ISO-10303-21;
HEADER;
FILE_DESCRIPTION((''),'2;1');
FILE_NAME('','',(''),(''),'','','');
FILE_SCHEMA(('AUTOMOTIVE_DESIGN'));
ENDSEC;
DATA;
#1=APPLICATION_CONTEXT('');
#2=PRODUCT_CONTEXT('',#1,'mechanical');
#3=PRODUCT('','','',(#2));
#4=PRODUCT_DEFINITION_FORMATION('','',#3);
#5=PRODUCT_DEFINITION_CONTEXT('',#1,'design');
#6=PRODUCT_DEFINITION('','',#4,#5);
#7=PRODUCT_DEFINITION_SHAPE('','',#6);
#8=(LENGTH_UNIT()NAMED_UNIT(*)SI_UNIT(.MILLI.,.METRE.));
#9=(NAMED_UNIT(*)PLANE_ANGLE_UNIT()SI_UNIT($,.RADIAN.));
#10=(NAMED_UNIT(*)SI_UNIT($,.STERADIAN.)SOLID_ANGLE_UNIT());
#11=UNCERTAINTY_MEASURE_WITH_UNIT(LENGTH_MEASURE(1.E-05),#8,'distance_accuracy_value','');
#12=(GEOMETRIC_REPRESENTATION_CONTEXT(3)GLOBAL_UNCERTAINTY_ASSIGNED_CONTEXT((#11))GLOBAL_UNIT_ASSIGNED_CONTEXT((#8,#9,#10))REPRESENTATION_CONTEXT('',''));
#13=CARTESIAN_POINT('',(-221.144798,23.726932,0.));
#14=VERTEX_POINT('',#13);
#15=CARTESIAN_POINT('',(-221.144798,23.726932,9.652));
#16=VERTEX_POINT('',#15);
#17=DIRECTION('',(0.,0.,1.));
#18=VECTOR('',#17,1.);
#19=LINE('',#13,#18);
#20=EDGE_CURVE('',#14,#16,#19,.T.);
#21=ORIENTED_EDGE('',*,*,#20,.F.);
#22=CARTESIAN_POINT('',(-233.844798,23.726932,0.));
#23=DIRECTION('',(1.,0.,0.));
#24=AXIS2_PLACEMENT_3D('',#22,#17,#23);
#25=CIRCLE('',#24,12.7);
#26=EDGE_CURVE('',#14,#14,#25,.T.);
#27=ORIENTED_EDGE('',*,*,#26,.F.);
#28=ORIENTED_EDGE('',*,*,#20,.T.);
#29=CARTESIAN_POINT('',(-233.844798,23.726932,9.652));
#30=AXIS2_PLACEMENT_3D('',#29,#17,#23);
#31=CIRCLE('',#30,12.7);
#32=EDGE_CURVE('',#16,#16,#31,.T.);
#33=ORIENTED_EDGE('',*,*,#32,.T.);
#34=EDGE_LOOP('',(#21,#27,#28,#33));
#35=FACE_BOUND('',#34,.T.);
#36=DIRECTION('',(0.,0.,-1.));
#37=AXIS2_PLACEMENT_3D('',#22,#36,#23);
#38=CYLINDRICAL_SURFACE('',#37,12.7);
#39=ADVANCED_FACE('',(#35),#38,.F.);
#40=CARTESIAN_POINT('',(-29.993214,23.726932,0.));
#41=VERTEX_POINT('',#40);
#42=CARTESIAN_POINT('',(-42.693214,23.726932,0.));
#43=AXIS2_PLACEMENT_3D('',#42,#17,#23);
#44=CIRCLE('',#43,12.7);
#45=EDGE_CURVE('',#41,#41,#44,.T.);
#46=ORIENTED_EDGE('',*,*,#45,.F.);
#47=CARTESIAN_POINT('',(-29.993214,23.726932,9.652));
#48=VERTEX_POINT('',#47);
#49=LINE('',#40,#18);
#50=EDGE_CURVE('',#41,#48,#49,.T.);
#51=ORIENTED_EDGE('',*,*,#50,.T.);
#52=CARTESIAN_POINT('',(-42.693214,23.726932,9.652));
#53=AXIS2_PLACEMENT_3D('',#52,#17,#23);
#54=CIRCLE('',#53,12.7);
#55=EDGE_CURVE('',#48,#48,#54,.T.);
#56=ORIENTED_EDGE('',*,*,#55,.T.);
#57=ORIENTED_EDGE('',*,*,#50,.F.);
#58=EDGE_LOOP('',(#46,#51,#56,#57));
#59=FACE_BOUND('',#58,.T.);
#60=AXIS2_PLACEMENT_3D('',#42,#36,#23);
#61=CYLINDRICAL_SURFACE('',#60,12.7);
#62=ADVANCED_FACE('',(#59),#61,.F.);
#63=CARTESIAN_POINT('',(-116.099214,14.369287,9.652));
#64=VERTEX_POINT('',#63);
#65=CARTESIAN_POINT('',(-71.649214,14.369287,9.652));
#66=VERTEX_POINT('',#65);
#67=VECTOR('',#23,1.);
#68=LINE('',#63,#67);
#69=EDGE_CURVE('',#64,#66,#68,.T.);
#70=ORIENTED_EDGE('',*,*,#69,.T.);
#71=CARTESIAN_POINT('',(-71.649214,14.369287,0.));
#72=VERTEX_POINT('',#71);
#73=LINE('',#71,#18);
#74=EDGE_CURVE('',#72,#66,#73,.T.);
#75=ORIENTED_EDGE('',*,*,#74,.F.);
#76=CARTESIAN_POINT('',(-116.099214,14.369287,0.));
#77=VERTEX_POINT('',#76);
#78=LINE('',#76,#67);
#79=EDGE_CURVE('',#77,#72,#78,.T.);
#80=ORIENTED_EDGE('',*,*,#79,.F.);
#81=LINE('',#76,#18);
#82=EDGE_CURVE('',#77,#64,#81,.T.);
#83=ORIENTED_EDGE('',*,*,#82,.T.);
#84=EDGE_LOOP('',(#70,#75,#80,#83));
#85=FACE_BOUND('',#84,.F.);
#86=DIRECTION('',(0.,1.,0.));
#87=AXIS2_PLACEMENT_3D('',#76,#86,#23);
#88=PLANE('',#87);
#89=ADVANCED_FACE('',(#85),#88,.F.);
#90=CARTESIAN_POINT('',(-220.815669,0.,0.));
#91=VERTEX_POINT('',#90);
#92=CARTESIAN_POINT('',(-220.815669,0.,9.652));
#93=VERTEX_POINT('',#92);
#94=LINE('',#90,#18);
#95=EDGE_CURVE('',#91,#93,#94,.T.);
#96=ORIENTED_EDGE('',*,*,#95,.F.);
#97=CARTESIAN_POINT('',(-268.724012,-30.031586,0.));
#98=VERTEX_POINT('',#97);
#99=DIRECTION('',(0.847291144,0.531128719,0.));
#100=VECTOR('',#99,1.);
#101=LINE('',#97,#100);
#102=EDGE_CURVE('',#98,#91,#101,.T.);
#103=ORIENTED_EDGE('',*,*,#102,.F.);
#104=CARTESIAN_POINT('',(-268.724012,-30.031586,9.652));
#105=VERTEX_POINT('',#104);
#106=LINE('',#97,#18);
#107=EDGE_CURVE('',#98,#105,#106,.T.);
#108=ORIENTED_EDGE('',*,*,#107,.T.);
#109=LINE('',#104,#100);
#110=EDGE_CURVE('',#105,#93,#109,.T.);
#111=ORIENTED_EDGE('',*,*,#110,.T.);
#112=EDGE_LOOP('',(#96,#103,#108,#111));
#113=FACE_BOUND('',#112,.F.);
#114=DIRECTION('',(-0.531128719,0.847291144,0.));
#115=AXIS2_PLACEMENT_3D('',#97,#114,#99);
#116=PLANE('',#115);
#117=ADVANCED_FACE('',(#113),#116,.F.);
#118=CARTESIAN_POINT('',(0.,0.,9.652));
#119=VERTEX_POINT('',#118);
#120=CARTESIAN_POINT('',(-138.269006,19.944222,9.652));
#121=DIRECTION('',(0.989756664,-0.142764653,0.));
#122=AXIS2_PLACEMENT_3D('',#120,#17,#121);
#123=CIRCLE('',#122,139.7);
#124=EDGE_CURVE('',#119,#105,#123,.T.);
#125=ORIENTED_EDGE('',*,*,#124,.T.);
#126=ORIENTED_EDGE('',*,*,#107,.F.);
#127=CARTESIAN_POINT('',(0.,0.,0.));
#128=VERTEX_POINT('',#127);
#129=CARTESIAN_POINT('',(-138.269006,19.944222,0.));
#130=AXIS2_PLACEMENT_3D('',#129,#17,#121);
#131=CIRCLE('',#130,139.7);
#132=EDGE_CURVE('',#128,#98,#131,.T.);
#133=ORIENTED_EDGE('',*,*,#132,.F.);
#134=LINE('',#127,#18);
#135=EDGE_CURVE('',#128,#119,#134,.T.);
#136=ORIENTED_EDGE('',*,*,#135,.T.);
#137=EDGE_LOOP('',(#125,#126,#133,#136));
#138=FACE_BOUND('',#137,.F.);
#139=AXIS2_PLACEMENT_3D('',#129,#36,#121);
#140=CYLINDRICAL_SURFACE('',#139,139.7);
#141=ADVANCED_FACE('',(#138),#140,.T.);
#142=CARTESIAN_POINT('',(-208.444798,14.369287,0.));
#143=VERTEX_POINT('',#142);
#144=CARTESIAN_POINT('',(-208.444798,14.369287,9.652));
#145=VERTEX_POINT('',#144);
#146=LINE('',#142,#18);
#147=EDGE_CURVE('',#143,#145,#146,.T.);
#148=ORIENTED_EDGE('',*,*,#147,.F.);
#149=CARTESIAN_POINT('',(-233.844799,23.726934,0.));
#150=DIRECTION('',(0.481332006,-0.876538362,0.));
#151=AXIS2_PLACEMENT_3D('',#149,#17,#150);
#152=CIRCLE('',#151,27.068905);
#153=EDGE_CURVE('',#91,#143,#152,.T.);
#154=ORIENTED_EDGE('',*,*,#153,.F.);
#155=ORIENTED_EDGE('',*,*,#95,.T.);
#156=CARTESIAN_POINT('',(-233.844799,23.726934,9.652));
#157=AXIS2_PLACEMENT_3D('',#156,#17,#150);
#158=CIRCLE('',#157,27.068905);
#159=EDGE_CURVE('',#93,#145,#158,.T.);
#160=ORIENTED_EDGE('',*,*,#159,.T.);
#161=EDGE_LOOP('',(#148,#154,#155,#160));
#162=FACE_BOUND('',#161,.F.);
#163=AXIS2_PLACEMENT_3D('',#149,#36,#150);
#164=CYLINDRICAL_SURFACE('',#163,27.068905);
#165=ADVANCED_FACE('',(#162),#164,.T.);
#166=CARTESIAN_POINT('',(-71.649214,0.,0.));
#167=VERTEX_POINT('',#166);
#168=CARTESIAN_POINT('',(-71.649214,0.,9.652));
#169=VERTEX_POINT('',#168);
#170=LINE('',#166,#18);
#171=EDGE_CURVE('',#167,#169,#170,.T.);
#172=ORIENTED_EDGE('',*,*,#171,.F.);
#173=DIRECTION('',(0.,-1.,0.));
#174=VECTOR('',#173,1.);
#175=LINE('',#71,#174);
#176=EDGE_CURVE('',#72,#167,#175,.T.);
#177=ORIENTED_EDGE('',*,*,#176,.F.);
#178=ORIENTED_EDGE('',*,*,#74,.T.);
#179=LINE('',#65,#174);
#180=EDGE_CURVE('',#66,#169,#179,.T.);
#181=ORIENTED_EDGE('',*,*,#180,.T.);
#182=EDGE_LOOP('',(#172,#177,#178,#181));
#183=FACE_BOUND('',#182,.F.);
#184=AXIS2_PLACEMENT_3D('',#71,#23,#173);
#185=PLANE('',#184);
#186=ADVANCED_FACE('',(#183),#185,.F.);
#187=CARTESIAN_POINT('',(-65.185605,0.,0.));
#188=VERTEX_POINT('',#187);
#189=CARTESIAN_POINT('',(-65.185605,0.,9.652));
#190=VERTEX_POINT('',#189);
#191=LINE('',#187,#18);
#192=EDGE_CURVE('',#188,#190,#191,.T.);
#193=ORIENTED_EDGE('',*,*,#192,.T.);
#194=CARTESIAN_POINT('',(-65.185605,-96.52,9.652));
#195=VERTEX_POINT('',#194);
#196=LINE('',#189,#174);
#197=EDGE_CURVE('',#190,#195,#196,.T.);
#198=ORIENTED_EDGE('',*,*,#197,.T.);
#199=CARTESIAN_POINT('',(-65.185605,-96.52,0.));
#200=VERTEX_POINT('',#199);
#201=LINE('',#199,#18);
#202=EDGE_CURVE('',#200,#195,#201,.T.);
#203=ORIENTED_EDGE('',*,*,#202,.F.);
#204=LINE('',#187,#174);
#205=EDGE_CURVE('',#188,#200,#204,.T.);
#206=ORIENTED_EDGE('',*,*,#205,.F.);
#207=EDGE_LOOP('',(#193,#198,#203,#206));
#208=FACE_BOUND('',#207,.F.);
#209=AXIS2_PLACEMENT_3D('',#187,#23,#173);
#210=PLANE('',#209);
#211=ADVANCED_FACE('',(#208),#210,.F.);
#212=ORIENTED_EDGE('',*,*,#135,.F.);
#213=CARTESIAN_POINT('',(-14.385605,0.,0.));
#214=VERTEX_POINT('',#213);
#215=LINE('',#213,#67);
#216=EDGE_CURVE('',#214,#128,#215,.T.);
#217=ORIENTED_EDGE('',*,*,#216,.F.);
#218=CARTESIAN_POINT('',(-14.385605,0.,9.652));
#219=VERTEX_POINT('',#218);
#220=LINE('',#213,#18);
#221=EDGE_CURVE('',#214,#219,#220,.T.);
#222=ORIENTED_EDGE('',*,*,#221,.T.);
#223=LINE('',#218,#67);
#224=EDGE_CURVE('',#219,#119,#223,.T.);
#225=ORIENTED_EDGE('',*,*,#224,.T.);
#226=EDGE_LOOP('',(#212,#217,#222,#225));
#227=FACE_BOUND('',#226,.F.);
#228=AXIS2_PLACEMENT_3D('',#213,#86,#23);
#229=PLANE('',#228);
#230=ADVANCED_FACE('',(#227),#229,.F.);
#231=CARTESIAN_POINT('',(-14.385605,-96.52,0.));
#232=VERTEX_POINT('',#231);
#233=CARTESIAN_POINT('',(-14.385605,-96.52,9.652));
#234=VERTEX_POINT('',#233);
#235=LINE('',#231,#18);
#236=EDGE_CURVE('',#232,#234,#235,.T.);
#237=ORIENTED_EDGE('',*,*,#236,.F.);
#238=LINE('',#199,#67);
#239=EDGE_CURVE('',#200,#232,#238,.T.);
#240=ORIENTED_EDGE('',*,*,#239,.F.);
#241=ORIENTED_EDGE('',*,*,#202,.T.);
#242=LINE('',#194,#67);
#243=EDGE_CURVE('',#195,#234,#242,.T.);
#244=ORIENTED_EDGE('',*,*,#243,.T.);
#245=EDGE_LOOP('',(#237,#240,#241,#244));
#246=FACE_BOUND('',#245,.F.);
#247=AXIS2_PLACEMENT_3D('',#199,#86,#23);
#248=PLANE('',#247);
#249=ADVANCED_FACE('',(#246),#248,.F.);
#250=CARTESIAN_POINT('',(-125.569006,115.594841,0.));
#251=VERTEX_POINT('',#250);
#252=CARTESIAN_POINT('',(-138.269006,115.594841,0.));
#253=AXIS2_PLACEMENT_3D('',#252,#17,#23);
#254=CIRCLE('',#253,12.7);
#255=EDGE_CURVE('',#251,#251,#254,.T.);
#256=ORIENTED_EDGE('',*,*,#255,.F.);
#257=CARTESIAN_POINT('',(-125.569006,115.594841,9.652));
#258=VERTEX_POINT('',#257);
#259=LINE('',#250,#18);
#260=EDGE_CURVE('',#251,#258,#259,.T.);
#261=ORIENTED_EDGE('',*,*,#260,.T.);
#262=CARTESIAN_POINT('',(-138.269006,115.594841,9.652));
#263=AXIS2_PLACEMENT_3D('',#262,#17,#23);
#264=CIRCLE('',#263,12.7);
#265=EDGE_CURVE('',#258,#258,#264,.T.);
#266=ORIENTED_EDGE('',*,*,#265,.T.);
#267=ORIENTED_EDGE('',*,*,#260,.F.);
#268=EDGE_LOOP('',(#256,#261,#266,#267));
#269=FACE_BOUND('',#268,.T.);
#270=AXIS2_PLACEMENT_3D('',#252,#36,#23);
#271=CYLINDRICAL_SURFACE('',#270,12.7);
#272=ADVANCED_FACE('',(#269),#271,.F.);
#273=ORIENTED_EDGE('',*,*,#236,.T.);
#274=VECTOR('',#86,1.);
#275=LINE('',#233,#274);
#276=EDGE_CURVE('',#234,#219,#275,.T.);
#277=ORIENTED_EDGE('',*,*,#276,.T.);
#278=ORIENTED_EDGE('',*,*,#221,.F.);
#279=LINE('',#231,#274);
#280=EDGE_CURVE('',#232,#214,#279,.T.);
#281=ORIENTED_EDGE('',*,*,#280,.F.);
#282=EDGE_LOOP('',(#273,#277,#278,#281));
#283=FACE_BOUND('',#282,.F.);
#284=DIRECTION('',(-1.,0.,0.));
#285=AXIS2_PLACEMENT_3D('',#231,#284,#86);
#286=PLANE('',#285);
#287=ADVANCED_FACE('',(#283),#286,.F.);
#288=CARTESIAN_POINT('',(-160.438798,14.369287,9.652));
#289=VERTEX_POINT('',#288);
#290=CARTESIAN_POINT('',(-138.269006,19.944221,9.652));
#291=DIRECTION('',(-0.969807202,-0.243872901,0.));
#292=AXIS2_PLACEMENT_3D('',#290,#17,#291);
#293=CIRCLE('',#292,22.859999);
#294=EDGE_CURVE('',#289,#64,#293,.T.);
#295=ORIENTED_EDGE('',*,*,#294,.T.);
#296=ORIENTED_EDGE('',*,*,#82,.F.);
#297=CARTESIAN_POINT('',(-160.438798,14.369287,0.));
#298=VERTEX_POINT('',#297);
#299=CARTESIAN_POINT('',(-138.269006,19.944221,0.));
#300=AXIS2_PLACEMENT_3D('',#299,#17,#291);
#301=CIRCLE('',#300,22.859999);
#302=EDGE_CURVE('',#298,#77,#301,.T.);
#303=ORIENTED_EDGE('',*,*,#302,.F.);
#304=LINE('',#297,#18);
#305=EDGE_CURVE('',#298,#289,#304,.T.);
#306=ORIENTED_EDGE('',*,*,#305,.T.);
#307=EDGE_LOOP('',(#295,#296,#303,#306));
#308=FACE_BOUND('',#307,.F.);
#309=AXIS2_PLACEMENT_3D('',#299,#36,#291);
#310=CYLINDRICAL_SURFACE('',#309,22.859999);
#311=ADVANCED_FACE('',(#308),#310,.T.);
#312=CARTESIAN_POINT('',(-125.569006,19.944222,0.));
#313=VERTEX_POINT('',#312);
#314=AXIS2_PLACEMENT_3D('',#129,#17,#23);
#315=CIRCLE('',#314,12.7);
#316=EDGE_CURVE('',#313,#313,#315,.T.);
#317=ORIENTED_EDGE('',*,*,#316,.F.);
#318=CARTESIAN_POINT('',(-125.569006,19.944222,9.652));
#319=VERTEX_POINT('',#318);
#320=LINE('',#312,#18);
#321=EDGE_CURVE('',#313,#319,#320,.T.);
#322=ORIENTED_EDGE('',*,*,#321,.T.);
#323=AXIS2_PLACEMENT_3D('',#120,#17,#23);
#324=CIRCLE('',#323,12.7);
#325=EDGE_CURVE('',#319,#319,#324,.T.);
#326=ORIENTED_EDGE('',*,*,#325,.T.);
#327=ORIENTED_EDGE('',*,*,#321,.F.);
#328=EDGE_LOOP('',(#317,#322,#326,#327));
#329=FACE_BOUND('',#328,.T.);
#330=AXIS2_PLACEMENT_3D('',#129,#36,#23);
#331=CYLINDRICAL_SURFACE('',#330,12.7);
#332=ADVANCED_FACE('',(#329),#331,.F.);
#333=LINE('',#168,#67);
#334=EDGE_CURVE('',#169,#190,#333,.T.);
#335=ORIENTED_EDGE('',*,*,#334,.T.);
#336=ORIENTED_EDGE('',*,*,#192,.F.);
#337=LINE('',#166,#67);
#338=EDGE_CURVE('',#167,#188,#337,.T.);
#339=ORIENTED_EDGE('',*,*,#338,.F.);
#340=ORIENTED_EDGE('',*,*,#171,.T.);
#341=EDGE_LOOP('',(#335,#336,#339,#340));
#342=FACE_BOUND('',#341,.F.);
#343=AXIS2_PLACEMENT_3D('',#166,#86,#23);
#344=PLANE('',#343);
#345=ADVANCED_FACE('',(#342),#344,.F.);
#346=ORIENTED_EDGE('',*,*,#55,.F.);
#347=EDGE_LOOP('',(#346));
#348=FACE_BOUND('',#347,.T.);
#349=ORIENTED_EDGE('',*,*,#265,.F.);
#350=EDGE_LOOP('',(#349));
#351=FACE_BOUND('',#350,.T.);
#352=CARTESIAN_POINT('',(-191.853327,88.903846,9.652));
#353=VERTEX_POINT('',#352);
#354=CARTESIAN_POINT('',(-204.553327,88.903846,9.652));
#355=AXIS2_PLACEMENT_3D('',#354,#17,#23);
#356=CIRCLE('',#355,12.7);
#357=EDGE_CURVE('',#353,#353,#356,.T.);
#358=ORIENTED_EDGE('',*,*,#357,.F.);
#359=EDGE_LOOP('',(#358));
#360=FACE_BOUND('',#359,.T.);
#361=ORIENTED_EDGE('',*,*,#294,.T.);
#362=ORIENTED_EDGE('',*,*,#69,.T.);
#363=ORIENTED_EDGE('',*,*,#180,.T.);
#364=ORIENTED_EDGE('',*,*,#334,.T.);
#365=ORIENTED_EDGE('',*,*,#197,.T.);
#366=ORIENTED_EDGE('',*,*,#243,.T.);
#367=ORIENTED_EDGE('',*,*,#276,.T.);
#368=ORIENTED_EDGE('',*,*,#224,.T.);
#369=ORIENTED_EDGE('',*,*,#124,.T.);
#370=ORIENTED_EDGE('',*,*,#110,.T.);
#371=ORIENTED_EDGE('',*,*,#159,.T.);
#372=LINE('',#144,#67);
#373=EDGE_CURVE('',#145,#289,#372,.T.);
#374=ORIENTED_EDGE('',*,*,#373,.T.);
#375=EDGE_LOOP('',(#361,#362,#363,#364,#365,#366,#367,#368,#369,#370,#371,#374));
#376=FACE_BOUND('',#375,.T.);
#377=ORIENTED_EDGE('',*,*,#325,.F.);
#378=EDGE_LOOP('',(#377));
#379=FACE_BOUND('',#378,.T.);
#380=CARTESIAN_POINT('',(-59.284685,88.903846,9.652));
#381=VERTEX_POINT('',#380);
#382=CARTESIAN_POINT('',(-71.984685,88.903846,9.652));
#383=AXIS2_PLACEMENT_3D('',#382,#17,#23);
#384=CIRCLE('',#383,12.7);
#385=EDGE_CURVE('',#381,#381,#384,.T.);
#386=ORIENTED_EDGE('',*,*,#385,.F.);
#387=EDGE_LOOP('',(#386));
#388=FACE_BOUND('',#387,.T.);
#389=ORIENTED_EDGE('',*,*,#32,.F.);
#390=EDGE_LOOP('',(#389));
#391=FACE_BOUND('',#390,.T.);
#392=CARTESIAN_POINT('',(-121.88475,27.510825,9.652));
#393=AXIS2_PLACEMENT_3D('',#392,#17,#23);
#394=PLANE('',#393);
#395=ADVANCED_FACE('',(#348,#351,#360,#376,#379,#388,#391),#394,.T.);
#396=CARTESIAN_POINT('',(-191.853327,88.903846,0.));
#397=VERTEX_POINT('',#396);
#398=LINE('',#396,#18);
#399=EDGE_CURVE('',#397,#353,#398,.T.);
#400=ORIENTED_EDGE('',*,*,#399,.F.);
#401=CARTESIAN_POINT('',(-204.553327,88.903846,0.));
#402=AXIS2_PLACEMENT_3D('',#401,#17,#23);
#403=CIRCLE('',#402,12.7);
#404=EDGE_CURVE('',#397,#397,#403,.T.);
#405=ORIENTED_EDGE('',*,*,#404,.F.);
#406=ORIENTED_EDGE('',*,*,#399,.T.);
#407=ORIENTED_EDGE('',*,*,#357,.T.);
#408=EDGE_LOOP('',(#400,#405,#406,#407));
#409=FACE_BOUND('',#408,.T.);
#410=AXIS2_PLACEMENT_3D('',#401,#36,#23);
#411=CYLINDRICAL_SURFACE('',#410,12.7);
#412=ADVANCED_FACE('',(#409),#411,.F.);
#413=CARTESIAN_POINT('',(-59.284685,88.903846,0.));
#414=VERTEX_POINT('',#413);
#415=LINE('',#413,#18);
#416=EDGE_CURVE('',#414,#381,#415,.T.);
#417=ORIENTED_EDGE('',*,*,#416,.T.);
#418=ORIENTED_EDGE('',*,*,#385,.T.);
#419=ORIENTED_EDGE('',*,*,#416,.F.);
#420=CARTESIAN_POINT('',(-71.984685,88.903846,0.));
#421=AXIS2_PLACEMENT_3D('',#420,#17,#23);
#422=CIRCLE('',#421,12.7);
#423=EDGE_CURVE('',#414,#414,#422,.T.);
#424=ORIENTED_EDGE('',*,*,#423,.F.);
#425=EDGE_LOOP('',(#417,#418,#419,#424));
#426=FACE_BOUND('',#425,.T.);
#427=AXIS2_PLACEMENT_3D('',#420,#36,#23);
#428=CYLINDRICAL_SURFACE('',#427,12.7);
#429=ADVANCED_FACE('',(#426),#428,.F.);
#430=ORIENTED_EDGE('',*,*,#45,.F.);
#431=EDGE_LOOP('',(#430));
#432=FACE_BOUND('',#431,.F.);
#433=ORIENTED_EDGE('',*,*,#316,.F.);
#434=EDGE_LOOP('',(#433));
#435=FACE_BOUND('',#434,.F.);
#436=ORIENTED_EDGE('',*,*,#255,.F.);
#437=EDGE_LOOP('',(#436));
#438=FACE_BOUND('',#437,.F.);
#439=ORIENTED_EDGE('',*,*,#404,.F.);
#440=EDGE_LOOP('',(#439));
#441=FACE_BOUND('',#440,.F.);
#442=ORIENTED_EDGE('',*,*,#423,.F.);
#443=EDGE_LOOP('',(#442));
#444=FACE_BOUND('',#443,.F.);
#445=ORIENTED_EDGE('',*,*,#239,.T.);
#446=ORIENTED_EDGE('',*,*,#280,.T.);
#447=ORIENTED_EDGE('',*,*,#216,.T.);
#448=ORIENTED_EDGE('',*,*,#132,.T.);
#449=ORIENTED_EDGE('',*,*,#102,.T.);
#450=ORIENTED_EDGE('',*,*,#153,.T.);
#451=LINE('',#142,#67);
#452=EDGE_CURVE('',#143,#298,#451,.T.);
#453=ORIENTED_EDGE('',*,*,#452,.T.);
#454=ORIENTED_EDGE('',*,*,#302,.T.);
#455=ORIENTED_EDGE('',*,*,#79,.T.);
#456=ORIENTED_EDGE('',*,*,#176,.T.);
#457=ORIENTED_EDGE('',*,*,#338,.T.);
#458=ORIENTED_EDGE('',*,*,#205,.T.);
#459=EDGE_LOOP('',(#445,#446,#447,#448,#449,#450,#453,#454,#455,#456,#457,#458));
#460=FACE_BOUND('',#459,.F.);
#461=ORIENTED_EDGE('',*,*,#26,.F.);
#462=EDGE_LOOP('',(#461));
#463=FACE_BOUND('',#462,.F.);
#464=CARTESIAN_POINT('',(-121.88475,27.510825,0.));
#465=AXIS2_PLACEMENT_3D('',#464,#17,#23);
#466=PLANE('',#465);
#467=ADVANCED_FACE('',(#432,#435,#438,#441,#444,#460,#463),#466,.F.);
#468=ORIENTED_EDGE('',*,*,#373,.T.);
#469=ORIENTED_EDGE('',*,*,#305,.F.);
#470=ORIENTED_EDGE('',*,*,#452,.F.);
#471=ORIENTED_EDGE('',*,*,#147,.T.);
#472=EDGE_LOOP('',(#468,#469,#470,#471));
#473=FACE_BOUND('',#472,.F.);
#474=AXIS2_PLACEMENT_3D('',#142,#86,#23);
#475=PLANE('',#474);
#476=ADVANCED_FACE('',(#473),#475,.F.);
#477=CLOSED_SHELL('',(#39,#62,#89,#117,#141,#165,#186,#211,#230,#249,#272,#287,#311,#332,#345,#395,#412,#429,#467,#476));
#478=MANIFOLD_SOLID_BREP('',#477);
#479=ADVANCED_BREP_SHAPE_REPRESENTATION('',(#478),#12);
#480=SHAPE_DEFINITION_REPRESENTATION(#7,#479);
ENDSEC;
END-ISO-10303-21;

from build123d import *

# Parameters (mm, degrees)
F0_R     = 12.7
F1_DEPTH = 9.652


with BuildPart() as f1:
    # F0 (on Top) → F1 (new body)
    with BuildSketch(Plane.XY):
        with BuildLine():
            Line((-71.649214, 0), (-65.185605, 0))
            Line((-65.185605, 0), (-65.185605, -96.52))
            Line((-65.185605, -96.52), (-14.385605, -96.52))
            Line((-14.385605, -96.52), (-14.385605, 0))
            Line((-14.385605, 0), (0, 0))
            ThreePointArc((0, 0), (-153.784762, 158.779921), (-268.724012, -30.031586))
            Line((-268.724012, -30.031586), (-220.815669, 0))
            ThreePointArc((-220.815669, 0), (-213.330935, 6.066045), (-208.444798, 14.369287))
            Line((-208.444798, 14.369287), (-160.438798, 14.369287))
            ThreePointArc((-160.438798, 14.369287), (-138.269006, -2.915778), (-116.099214, 14.369287))
            Line((-116.099214, 14.369287), (-71.649214, 14.369287))
            Line((-71.649214, 14.369287), (-71.649214, 0))
        make_face()
        with Locations((-233.844798, 23.726932)):
            Circle(F0_R, mode=Mode.SUBTRACT)
        with Locations((-138.269006, 19.944222)):
            Circle(F0_R, mode=Mode.SUBTRACT)
        with Locations((-42.693214, 23.726932)):
            Circle(F0_R, mode=Mode.SUBTRACT)
        with Locations((-204.553327, 88.903846)):
            Circle(F0_R, mode=Mode.SUBTRACT)
        with Locations((-71.984685, 88.903846)):
            Circle(F0_R, mode=Mode.SUBTRACT)
        with Locations((-138.269006, 115.594841)):
            Circle(F0_R, mode=Mode.SUBTRACT)
    extrude(amount=F1_DEPTH)


solid = f1.part
